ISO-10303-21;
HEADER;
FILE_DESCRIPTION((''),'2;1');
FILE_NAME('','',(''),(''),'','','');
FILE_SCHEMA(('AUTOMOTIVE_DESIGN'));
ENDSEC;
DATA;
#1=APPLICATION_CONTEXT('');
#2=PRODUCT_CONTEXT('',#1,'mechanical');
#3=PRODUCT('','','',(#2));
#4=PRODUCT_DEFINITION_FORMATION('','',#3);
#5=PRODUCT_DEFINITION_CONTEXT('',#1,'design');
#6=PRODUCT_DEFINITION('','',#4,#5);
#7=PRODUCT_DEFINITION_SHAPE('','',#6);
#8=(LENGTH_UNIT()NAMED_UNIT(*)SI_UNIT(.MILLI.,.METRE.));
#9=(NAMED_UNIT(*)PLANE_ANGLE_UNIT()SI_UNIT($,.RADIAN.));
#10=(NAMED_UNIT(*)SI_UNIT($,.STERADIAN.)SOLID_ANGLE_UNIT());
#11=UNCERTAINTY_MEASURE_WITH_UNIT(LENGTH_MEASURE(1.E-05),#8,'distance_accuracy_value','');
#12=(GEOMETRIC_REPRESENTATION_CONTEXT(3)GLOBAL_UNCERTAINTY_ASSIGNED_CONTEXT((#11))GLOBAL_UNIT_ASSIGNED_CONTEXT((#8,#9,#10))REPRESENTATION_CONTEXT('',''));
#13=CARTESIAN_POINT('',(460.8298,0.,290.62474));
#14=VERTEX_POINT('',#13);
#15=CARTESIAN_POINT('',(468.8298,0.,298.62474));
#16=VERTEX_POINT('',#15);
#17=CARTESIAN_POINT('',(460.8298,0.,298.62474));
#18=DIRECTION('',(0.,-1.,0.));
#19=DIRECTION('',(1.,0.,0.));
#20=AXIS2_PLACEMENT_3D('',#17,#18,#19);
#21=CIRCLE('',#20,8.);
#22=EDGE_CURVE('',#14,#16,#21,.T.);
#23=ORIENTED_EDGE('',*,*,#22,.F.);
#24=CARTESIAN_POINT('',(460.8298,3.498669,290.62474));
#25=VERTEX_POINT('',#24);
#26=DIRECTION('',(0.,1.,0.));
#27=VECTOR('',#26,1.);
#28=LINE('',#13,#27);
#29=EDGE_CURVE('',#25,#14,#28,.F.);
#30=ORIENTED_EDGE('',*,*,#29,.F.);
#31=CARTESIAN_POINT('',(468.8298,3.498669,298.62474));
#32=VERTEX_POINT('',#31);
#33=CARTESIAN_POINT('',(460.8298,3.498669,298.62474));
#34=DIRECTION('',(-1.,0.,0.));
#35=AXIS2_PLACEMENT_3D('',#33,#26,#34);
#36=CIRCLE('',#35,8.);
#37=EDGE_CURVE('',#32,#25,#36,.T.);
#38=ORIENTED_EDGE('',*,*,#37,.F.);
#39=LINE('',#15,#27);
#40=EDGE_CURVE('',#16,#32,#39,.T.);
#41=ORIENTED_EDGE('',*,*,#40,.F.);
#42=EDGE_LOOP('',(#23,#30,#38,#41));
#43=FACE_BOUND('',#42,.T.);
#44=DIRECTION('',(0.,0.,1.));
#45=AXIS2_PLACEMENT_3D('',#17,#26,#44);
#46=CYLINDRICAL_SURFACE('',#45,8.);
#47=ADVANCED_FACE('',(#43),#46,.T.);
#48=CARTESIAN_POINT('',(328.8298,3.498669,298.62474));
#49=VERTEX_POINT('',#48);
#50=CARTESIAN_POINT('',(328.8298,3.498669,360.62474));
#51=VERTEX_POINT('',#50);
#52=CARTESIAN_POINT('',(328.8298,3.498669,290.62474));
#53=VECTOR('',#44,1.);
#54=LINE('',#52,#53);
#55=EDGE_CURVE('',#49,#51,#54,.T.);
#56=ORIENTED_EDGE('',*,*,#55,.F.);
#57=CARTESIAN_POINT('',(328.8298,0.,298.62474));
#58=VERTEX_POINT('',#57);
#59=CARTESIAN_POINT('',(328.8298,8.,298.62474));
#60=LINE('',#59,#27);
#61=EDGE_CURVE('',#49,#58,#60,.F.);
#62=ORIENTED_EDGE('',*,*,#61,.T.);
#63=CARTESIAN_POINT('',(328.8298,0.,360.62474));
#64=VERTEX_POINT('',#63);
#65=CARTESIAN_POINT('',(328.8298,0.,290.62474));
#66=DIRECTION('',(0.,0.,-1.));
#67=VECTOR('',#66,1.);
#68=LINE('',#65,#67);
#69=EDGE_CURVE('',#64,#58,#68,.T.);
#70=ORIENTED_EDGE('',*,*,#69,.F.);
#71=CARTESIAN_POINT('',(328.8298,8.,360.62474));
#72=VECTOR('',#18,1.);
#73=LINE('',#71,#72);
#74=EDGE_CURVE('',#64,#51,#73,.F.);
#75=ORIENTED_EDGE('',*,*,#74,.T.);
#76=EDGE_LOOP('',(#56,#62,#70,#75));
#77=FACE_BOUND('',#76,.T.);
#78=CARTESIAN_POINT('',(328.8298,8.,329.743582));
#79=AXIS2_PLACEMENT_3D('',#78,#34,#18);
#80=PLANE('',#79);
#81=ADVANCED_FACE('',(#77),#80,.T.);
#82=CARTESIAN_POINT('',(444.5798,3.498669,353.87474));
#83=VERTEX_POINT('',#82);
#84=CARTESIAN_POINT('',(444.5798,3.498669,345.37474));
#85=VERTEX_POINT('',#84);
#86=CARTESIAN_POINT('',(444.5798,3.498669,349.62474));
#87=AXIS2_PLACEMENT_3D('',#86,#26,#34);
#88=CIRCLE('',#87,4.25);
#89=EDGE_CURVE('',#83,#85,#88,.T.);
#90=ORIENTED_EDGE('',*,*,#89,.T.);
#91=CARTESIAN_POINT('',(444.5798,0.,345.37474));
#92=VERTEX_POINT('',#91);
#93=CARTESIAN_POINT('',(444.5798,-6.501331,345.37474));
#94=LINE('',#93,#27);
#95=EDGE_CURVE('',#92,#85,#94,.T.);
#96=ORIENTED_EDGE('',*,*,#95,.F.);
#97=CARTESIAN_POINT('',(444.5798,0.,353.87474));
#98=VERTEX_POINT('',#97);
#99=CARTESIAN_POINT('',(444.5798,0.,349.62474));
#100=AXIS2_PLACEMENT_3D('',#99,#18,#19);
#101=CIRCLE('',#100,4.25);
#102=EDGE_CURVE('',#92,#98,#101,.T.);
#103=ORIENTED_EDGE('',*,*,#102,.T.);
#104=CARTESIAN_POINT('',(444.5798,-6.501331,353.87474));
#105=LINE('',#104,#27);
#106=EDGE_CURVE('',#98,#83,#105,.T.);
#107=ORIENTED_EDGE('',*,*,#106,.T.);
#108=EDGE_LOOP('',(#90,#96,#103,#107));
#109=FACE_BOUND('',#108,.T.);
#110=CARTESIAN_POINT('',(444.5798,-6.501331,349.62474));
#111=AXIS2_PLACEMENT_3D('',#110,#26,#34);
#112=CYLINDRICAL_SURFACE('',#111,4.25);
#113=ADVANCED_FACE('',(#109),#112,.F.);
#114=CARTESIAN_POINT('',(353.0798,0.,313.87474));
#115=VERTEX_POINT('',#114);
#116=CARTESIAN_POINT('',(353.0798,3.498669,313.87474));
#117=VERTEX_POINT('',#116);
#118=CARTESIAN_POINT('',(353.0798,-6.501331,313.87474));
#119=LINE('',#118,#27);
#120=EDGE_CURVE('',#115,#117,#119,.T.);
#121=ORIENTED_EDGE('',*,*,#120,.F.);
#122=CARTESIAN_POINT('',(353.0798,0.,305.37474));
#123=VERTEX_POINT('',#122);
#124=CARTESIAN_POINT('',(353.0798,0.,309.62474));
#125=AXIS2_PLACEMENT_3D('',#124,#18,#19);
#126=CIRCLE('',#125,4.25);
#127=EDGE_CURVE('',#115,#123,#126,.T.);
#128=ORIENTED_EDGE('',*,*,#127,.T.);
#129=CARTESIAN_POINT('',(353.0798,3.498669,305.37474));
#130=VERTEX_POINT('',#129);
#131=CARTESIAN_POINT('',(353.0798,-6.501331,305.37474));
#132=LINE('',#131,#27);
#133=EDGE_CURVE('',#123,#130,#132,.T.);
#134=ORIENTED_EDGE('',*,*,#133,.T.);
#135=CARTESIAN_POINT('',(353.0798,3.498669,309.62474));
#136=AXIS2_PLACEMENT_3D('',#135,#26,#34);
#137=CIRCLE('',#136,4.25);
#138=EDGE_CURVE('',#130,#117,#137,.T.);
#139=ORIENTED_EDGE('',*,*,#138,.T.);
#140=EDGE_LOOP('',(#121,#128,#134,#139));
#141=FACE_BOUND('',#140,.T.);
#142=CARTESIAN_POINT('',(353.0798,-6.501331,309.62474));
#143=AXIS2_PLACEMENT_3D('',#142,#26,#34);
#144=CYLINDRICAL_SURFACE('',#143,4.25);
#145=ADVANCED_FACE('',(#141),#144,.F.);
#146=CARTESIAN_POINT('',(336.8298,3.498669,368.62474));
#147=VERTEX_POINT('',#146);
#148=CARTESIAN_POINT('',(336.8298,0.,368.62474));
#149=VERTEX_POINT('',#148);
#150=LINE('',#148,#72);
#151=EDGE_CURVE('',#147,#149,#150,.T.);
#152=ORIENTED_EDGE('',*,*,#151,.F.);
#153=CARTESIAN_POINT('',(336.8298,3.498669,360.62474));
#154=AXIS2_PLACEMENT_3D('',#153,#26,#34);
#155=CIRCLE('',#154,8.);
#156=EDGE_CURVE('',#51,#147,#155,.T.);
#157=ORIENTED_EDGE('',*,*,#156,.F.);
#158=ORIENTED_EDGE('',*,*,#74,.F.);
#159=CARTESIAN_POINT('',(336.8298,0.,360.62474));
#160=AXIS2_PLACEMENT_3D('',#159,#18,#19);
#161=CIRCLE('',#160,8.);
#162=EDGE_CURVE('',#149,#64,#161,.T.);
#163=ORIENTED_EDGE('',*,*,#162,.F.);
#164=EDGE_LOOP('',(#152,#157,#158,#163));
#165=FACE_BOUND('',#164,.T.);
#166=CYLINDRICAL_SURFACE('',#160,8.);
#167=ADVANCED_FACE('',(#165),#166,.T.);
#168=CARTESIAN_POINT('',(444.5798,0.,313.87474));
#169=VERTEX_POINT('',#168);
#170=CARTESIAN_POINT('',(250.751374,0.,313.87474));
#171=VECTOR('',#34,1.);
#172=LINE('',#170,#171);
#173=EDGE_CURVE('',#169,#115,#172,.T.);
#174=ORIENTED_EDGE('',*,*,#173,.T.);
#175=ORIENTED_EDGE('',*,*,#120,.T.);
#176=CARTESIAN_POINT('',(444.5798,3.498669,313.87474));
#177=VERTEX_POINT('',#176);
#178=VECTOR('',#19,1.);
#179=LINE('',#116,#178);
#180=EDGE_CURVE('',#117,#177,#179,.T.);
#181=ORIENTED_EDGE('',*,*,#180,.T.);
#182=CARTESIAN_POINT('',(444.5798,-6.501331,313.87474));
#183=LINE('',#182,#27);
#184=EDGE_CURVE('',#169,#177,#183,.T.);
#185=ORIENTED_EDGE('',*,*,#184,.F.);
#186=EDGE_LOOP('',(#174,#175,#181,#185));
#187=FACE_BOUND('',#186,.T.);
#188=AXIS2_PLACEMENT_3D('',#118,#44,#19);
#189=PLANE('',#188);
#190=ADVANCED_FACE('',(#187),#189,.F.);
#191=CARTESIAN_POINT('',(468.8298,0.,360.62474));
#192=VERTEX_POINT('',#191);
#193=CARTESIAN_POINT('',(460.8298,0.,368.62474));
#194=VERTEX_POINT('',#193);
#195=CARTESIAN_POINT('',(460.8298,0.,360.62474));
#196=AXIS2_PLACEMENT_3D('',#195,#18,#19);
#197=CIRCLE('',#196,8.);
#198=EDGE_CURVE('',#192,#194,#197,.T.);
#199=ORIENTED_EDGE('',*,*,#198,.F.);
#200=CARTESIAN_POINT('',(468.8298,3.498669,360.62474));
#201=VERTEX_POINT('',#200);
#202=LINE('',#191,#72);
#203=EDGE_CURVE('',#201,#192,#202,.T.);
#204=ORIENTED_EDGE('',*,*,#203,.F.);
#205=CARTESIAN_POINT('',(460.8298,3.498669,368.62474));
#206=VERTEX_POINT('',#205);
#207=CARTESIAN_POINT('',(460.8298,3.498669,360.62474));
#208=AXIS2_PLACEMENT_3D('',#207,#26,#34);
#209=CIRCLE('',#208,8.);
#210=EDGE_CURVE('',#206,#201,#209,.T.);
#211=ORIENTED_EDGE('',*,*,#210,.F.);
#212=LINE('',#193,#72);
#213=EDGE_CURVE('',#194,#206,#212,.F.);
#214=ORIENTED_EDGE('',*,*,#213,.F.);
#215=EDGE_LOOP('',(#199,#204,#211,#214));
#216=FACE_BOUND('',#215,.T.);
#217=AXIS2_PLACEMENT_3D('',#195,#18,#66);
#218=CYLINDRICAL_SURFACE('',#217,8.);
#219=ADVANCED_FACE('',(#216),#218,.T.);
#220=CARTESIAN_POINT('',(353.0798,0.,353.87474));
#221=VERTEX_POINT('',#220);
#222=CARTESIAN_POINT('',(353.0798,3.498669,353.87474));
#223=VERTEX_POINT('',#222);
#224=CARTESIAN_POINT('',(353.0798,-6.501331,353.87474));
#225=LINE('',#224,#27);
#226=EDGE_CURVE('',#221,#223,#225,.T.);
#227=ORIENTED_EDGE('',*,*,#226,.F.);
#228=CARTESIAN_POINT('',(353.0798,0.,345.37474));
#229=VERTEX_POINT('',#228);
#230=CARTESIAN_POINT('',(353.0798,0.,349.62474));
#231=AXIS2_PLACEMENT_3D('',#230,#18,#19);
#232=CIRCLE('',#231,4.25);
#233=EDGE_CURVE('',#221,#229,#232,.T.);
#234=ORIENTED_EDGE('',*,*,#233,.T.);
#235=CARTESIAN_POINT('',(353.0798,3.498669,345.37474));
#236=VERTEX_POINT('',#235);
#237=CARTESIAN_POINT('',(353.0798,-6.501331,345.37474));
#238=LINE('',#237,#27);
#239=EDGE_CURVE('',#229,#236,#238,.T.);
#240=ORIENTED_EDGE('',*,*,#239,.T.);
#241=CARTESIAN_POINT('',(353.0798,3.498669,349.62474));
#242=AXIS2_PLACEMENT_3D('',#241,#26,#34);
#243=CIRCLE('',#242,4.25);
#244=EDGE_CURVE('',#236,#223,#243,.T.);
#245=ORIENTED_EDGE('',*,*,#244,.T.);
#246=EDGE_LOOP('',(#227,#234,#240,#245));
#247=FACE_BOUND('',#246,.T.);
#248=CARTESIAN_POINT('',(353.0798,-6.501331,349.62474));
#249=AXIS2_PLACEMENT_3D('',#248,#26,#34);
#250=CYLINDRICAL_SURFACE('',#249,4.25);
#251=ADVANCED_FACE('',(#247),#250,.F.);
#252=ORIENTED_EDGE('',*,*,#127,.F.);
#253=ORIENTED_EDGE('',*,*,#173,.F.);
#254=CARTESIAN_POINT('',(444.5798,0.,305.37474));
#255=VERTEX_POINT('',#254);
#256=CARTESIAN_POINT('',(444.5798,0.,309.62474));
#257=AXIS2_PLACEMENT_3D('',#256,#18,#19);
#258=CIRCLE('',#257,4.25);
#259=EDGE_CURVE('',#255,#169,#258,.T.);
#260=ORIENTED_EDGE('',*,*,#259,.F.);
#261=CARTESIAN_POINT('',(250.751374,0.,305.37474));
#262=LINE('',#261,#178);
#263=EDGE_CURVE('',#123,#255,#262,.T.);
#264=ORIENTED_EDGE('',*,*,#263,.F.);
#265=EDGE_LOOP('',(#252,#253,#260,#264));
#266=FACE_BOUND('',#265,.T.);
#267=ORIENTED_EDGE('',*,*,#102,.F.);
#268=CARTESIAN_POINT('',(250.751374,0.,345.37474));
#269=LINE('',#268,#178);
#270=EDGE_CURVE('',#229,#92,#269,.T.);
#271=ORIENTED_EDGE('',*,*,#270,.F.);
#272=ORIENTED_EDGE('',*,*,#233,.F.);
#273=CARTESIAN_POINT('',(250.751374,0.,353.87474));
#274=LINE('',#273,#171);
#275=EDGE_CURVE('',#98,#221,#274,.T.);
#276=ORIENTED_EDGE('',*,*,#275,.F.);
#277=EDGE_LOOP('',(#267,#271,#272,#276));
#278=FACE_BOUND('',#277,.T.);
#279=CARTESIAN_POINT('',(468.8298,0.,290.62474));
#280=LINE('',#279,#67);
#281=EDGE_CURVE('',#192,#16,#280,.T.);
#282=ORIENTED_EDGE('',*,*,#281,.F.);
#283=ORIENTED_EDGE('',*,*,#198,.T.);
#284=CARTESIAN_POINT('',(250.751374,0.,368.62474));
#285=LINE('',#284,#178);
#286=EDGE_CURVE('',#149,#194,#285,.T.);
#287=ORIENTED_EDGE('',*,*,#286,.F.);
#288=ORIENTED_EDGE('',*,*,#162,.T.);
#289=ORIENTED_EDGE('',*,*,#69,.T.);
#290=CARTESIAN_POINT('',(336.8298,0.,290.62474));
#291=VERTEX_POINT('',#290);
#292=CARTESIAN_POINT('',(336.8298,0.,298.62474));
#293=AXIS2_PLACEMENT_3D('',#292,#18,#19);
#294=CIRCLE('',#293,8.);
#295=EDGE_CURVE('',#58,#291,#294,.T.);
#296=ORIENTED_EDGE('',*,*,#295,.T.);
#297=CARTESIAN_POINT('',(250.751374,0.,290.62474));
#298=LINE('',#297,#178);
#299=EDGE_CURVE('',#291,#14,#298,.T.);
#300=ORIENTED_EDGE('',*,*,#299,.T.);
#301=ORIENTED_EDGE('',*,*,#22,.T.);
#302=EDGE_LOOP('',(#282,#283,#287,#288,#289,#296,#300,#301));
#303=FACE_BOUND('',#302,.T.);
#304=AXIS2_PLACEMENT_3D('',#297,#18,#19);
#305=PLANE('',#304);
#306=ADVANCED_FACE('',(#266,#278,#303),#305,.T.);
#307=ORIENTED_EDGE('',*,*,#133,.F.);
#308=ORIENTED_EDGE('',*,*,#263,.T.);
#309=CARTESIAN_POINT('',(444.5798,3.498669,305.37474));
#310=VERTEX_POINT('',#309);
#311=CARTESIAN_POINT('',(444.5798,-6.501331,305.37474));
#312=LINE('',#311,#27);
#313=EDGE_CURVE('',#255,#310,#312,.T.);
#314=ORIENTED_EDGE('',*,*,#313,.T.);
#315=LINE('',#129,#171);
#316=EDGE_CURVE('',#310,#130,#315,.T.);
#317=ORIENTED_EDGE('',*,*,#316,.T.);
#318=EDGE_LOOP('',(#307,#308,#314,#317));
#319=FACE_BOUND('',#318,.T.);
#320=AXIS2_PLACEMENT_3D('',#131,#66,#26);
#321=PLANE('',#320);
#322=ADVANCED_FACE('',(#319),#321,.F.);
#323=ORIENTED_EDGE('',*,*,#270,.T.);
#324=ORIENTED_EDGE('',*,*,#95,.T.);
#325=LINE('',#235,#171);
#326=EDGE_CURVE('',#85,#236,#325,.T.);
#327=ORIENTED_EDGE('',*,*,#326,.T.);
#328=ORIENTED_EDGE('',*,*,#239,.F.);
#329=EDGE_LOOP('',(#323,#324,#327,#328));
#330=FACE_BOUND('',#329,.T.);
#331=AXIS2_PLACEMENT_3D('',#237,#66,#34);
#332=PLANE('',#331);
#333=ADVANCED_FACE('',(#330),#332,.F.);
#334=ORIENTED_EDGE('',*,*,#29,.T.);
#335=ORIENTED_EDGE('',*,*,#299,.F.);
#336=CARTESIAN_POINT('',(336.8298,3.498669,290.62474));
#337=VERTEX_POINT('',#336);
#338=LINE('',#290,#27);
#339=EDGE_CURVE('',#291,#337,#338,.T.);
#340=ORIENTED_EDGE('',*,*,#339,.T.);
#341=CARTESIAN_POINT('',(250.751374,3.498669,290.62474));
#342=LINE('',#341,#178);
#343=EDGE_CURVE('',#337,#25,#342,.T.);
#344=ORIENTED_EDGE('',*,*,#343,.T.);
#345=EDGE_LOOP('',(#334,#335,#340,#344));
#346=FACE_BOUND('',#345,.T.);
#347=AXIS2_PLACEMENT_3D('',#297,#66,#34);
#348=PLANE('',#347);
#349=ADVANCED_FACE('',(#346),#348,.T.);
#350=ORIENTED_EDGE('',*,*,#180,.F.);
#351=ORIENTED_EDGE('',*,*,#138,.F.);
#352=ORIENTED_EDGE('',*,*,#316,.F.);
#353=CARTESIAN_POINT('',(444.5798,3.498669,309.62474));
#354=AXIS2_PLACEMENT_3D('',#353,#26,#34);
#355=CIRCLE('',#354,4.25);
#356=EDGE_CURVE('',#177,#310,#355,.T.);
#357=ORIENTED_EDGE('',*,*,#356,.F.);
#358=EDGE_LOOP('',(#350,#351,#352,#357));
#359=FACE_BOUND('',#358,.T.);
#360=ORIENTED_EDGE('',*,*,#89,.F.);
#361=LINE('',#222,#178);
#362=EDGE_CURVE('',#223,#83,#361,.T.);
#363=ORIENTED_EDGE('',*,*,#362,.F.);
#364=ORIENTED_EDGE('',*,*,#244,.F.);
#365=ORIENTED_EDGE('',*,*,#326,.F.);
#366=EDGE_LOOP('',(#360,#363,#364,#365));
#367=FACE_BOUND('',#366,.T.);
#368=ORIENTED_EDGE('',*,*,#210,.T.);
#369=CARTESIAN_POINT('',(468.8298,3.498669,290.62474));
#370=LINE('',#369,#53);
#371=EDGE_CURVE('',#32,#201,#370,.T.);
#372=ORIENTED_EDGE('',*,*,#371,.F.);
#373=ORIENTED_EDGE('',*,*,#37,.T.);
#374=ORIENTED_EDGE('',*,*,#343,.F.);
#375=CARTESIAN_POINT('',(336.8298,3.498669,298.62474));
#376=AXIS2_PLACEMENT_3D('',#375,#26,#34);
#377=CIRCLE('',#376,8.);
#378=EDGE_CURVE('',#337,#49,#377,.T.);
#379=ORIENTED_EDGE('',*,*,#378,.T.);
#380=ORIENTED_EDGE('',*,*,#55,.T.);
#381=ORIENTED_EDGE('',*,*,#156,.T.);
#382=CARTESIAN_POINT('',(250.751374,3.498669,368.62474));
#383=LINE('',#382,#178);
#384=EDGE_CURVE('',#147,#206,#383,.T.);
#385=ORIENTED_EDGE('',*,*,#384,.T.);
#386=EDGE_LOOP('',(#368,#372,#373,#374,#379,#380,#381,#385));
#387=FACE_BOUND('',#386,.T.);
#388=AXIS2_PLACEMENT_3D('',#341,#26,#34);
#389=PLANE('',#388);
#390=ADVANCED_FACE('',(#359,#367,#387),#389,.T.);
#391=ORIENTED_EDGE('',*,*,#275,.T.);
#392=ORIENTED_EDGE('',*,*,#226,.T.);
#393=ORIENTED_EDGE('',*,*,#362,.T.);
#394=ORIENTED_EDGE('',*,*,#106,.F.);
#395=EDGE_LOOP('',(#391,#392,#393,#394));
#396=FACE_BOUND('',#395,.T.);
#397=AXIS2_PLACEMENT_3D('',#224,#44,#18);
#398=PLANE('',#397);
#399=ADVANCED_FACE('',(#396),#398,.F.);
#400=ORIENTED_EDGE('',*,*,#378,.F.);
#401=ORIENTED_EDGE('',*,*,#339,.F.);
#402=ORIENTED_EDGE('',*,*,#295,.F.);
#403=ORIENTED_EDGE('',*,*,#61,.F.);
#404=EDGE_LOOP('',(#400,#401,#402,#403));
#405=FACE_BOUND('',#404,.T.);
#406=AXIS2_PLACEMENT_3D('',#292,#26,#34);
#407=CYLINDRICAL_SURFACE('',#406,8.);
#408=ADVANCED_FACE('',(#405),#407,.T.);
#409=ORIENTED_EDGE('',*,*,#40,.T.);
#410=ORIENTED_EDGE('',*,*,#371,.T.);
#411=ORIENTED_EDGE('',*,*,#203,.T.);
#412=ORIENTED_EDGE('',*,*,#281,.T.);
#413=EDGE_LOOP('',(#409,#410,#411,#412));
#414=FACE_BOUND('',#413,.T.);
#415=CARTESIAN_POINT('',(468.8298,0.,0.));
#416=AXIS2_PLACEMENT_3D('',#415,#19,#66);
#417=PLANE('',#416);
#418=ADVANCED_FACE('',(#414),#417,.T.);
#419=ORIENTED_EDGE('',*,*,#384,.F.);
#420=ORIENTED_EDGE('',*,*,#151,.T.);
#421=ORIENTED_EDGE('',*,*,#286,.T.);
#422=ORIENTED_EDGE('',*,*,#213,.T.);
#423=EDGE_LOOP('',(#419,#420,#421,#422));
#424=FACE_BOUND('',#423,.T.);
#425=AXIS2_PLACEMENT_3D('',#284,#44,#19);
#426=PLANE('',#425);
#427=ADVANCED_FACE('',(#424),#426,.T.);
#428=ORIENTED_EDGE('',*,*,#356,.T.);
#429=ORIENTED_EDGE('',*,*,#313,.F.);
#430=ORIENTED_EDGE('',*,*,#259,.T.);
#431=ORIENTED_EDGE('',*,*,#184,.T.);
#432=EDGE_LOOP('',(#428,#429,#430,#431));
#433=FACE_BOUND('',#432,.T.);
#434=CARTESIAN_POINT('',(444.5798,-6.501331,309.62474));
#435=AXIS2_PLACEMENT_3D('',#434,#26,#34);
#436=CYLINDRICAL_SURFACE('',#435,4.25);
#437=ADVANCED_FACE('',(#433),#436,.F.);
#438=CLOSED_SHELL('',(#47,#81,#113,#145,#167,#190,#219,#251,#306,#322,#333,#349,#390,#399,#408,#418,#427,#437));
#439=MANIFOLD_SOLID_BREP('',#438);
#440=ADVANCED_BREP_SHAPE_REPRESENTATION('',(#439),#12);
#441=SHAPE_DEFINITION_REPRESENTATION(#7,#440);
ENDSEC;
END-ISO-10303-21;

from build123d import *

# Parameters (mm, degrees)
SKETCH1_W           = 78
SKETCH1_H           = 3.498668771
BOSS_EXTRUDE1_DEPTH = 140
FILLET1_R           = 8
CUT_EXTRUDE1_DEPTH  = 10


with BuildPart() as part:
    # Sketch1 → Boss-Extrude1 (new body)
    with BuildSketch(Plane(origin=(468.829800242, 0, 0), x_dir=(0, 0, -1), z_dir=(1, 0, 0))):
        with Locations((-329.624739584, 1.749334386)):
            Rectangle(SKETCH1_W, SKETCH1_H)
    extrude(amount=-BOSS_EXTRUDE1_DEPTH)

    # Fillet1
    fillet1_edges = [part.edges().sort_by_distance(p)[0] for p in [
        (468.829800242, 1.749334385, 290.624739584),
        (328.829800242, 1.749334385, 290.624739584),
        (328.829800242, 1.749334385, 368.624739584),
        (468.829800242, 1.749334385, 368.624739584),
    ]]
    fillet(fillet1_edges, radius=FILLET1_R)

    # Sketch3 → Cut-Extrude1 (cut)
    with BuildSketch(Plane(origin=(0, 3.498668771, 0), x_dir=(1, 0, 0), z_dir=(0, 1, 0))):
        with BuildLine():
            Line((353.079800242, -345.374739584), (444.579800242, -345.374739584))
            ThreePointArc((444.579800242, -345.374739584), (448.829800242, -349.624739584), (444.579800242, -353.874739584))
            Line((444.579800242, -353.874739584), (353.079800242, -353.874739584))
            ThreePointArc((353.079800242, -353.874739584), (348.829800242, -349.624739584), (353.079800242, -345.374739584))
        make_face()
        with BuildLine():
            Line((353.079800242, -305.374739584), (444.579800242, -305.374739584))
            ThreePointArc((444.579800242, -305.374739584), (448.829800242, -309.624739584), (444.579800242, -313.874739584))
            Line((444.579800242, -313.874739584), (353.079800242, -313.874739584))
            ThreePointArc((353.079800242, -313.874739584), (348.829800242, -309.624739584), (353.079800242, -305.374739584))
        make_face()
    extrude(amount=-CUT_EXTRUDE1_DEPTH, mode=Mode.SUBTRACT)


solid = part.part
